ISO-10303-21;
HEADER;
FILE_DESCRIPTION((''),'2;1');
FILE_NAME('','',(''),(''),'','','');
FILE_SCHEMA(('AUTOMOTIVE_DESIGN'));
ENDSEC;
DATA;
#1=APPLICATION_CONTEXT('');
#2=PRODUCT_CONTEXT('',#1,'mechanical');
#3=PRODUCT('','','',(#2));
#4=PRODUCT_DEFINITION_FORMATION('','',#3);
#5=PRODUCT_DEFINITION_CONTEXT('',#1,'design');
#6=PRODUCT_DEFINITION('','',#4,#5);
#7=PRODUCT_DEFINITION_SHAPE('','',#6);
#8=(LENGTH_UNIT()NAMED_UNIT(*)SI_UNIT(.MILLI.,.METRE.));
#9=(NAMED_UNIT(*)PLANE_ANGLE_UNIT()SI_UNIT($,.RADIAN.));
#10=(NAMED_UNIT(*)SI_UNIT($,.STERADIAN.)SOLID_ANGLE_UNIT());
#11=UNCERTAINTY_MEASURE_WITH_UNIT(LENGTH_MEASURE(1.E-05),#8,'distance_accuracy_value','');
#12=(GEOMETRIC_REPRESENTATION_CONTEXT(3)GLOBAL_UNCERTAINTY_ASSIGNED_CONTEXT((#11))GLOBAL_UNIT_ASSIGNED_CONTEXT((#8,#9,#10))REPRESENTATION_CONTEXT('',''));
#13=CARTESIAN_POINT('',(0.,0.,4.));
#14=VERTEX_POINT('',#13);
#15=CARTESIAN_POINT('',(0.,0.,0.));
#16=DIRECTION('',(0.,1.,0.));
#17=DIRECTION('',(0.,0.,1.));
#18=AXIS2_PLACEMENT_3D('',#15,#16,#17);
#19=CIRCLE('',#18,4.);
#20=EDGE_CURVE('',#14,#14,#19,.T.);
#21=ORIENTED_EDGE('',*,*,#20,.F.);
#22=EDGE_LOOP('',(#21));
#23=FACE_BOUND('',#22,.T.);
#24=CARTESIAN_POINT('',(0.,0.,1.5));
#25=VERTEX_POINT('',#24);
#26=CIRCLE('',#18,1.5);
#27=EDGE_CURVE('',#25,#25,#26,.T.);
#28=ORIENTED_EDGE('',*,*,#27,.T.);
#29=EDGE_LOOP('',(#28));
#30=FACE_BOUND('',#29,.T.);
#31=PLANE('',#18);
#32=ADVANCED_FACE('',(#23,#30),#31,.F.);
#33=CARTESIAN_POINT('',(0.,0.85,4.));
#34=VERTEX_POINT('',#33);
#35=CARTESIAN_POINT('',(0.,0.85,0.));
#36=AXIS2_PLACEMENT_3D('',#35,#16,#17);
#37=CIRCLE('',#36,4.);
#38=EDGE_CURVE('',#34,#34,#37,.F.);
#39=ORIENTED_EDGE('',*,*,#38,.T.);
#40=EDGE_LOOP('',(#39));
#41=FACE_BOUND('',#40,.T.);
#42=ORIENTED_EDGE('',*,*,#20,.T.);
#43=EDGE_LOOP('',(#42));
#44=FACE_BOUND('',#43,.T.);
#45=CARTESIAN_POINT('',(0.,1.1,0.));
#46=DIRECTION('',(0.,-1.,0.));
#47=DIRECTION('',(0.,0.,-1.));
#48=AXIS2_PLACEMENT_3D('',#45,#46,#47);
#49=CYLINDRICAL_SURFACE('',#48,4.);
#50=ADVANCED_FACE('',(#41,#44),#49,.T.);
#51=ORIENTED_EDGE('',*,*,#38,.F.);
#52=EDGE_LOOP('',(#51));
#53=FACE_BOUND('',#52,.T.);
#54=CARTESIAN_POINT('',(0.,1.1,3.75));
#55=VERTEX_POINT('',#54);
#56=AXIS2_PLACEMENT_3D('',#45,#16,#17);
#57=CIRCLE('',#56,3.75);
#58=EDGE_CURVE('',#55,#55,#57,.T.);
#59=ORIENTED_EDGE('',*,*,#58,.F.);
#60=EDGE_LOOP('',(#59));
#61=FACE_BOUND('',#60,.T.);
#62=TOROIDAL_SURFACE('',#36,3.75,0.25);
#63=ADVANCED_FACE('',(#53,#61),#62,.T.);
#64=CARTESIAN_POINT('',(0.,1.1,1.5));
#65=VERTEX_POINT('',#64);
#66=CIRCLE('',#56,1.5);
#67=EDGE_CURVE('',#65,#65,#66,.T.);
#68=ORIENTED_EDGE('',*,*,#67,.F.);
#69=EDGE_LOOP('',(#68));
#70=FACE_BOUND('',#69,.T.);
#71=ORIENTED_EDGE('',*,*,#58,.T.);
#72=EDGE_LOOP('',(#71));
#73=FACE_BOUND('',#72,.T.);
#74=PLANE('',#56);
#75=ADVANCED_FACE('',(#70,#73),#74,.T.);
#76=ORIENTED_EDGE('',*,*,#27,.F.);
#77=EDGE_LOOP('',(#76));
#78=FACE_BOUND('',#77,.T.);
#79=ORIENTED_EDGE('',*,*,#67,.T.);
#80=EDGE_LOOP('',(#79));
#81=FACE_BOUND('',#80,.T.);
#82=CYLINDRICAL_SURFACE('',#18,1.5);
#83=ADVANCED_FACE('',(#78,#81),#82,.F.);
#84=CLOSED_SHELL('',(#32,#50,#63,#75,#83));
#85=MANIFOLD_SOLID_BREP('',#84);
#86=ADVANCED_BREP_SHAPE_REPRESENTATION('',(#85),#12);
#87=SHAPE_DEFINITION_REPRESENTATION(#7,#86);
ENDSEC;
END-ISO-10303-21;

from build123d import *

# Parameters (mm, degrees)
CROQUIS_BASE_R          = 4
SALIENTE_EXTRUIR3_DEPTH = 1.1
CROQUIS_BARRENO_R       = 1.5
CORTAR_EXTRUIR1_DEPTH   = 6.762811814
REDONDEO1_R             = 0.25


with BuildPart() as part:
    # Croquis base → Saliente-Extruir3 (new body)
    with BuildSketch(Plane(origin=(0, 0, 0), x_dir=(1, 0, 0), z_dir=(0, 1, 0))):
        with Locations(Location((0, 0, 0), (0, 0, 270))):
            Circle(CROQUIS_BASE_R)
    extrude(amount=SALIENTE_EXTRUIR3_DEPTH)

    # Croquis barreno → Cortar-Extruir1 (cut, through all)
    with BuildSketch(Plane(origin=(0, 1.1, 0), x_dir=(1, 0, 0), z_dir=(0, 1, 0))):
        with Locations(Location((0, 0, 0), (0, 0, 270))):
            Circle(CROQUIS_BARRENO_R)
    extrude(amount=-CORTAR_EXTRUIR1_DEPTH, mode=Mode.SUBTRACT)

    # Redondeo1
    redondeo1_edges = [part.edges().sort_by_distance(p)[0] for p in [
        (0, 1.1, -4),
    ]]
    fillet(redondeo1_edges, radius=REDONDEO1_R)


solid = part.part
